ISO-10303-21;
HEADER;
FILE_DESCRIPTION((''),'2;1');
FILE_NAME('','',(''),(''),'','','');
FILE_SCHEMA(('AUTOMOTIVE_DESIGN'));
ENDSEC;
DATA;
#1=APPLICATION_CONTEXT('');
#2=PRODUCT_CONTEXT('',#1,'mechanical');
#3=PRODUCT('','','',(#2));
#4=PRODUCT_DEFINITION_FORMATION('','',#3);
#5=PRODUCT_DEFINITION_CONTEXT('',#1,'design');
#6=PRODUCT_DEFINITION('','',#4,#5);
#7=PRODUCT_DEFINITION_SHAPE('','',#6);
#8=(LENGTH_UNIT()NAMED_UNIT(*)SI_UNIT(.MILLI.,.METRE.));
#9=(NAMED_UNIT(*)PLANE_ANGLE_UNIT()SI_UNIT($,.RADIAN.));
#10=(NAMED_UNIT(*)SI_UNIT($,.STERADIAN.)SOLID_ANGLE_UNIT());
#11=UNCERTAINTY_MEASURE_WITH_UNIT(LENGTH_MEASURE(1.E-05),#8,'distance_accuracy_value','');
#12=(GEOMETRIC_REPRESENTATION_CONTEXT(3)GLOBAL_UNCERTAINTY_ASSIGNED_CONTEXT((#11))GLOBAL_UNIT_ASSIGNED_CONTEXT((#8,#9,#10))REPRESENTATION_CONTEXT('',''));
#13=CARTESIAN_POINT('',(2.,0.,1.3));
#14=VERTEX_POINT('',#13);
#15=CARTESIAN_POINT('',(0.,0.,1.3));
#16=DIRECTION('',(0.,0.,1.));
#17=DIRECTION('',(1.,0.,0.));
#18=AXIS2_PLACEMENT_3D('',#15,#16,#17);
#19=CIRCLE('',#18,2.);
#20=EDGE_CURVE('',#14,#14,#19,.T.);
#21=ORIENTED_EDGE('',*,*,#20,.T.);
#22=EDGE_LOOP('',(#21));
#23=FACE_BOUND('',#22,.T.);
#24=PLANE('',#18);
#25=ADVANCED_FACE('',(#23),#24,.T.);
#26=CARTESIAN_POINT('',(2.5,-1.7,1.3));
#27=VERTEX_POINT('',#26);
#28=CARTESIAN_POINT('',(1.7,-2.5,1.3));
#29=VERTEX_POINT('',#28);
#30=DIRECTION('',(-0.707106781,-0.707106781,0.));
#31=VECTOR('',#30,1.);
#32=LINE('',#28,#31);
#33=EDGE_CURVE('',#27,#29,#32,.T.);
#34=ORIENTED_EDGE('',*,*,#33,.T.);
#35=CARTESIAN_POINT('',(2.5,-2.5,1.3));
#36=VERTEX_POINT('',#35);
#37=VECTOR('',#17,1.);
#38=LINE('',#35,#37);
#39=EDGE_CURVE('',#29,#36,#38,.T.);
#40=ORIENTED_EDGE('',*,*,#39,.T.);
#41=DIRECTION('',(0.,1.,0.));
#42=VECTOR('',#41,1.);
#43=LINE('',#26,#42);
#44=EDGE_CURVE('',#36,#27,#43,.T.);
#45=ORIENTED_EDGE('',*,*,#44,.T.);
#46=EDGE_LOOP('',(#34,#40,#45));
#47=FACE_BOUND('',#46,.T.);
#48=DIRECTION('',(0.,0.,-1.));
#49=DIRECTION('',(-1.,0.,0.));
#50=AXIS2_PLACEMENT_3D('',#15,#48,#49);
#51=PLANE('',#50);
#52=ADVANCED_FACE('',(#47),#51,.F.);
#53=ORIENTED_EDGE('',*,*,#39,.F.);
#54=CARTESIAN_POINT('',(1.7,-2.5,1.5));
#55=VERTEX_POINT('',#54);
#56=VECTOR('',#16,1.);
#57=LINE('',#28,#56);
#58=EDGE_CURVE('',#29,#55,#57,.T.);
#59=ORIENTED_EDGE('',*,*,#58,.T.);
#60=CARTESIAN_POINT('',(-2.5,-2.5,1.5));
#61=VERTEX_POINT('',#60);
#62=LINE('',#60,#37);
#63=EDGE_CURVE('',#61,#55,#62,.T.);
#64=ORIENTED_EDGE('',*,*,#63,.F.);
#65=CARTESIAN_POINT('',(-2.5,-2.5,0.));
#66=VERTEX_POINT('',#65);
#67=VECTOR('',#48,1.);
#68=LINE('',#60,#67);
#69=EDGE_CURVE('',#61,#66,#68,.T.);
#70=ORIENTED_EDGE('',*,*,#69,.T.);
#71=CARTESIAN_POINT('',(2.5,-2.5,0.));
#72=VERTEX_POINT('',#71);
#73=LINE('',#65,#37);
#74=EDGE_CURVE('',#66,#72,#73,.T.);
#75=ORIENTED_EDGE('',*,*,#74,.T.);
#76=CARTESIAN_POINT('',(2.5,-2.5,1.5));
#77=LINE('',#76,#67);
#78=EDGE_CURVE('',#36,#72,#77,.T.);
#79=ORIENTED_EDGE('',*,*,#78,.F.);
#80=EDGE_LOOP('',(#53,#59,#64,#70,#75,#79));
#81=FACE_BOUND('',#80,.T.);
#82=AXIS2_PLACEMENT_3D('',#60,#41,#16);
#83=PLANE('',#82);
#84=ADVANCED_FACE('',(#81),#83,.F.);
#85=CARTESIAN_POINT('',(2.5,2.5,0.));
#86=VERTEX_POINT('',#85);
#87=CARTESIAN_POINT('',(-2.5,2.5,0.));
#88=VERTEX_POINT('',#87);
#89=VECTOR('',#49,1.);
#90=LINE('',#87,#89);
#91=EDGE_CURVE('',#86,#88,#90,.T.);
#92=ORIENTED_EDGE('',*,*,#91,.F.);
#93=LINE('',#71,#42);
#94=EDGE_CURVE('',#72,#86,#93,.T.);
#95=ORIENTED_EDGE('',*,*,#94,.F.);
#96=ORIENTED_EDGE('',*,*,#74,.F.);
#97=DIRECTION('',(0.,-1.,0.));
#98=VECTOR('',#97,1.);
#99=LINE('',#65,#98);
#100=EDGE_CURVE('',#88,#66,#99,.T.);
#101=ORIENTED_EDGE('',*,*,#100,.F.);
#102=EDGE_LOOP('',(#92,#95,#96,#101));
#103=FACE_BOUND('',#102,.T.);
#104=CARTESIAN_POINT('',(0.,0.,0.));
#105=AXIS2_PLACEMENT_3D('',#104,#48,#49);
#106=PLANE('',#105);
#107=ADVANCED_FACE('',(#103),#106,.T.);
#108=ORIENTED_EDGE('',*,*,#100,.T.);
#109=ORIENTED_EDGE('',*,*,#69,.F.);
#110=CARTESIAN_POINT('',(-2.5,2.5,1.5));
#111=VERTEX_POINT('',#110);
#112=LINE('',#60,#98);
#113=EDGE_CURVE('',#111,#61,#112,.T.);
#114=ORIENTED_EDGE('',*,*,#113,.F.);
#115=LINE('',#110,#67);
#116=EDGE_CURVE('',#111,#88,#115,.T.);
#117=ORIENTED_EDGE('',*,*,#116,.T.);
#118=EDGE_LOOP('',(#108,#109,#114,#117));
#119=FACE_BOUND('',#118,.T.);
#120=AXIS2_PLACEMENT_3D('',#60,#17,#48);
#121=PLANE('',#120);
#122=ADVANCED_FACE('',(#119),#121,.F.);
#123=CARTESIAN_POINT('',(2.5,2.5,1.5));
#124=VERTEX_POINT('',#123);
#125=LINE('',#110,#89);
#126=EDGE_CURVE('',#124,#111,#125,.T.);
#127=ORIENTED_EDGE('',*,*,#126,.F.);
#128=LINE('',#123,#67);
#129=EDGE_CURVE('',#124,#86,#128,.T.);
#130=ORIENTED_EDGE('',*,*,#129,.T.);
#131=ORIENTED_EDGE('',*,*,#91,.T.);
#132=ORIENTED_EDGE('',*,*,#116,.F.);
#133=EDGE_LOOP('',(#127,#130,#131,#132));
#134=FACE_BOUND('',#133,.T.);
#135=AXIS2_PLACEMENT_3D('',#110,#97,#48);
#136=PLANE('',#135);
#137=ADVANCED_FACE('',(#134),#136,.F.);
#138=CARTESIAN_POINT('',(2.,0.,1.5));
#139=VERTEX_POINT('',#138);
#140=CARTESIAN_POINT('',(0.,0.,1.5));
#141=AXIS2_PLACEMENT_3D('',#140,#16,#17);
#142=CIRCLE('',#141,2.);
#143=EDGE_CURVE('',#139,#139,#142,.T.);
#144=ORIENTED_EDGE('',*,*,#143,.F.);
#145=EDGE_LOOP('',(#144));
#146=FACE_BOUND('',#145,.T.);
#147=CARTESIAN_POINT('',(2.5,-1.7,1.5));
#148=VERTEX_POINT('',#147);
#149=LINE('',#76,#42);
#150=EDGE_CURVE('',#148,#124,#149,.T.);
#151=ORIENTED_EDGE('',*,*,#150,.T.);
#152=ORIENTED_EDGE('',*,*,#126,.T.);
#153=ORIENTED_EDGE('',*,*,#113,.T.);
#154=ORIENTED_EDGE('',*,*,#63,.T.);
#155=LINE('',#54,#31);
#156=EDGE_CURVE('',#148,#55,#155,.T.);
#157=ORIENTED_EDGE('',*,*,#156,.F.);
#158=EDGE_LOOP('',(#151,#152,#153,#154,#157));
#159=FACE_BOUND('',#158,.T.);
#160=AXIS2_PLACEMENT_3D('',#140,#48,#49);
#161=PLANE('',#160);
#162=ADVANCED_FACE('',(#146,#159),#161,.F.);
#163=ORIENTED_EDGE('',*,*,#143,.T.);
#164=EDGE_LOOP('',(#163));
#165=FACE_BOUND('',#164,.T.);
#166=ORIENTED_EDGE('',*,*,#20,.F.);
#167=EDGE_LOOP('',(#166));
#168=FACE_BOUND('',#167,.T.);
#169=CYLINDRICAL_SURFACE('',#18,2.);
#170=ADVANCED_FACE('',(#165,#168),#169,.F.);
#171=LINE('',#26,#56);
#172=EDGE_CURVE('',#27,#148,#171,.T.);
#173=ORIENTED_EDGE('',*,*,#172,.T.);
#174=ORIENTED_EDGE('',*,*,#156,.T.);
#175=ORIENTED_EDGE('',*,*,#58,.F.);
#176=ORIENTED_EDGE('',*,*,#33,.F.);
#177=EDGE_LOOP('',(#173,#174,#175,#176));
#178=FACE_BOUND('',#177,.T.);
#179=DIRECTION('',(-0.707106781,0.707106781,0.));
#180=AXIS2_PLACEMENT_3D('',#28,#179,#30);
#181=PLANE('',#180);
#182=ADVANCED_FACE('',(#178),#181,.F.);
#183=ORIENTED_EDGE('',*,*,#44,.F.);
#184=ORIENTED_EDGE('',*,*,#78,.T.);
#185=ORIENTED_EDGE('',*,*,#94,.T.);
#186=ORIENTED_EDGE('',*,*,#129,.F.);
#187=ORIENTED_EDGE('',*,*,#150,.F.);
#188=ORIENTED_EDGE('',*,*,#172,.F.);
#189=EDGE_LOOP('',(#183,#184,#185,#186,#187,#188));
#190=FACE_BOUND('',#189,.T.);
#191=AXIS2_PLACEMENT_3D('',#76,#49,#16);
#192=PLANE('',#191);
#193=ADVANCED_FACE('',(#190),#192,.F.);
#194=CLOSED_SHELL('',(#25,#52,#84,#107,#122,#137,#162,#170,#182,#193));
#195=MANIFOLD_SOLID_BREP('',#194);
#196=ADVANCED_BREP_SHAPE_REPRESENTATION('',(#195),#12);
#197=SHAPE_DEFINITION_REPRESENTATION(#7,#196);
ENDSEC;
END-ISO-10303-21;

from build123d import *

# Parameters (mm, degrees)
SKETCH_1_W          = 5
SKETCH_1_H          = 5
EXTRUDE_1_DEPTH     = 1.5
SKETCH_2_R          = 2
CUT_EXTRUDE_1_DEPTH = 0.2


with BuildPart() as part:
    # Эскиз1 → Бобышка-Вытянуть1 (new body)
    with BuildSketch(Plane.XY):
        Rectangle(SKETCH_1_W, SKETCH_1_H)
    extrude(amount=EXTRUDE_1_DEPTH)

    # Эскиз2 → Вырез-Вытянуть1 (cut)
    with BuildSketch(Plane.XY.offset(1.5)):
        Circle(SKETCH_2_R)
        Polygon((2.5, -2.5), (1.7, -2.5), (2.5, -1.7), align=None)
    extrude(amount=-CUT_EXTRUDE_1_DEPTH, mode=Mode.SUBTRACT)


solid = part.part
